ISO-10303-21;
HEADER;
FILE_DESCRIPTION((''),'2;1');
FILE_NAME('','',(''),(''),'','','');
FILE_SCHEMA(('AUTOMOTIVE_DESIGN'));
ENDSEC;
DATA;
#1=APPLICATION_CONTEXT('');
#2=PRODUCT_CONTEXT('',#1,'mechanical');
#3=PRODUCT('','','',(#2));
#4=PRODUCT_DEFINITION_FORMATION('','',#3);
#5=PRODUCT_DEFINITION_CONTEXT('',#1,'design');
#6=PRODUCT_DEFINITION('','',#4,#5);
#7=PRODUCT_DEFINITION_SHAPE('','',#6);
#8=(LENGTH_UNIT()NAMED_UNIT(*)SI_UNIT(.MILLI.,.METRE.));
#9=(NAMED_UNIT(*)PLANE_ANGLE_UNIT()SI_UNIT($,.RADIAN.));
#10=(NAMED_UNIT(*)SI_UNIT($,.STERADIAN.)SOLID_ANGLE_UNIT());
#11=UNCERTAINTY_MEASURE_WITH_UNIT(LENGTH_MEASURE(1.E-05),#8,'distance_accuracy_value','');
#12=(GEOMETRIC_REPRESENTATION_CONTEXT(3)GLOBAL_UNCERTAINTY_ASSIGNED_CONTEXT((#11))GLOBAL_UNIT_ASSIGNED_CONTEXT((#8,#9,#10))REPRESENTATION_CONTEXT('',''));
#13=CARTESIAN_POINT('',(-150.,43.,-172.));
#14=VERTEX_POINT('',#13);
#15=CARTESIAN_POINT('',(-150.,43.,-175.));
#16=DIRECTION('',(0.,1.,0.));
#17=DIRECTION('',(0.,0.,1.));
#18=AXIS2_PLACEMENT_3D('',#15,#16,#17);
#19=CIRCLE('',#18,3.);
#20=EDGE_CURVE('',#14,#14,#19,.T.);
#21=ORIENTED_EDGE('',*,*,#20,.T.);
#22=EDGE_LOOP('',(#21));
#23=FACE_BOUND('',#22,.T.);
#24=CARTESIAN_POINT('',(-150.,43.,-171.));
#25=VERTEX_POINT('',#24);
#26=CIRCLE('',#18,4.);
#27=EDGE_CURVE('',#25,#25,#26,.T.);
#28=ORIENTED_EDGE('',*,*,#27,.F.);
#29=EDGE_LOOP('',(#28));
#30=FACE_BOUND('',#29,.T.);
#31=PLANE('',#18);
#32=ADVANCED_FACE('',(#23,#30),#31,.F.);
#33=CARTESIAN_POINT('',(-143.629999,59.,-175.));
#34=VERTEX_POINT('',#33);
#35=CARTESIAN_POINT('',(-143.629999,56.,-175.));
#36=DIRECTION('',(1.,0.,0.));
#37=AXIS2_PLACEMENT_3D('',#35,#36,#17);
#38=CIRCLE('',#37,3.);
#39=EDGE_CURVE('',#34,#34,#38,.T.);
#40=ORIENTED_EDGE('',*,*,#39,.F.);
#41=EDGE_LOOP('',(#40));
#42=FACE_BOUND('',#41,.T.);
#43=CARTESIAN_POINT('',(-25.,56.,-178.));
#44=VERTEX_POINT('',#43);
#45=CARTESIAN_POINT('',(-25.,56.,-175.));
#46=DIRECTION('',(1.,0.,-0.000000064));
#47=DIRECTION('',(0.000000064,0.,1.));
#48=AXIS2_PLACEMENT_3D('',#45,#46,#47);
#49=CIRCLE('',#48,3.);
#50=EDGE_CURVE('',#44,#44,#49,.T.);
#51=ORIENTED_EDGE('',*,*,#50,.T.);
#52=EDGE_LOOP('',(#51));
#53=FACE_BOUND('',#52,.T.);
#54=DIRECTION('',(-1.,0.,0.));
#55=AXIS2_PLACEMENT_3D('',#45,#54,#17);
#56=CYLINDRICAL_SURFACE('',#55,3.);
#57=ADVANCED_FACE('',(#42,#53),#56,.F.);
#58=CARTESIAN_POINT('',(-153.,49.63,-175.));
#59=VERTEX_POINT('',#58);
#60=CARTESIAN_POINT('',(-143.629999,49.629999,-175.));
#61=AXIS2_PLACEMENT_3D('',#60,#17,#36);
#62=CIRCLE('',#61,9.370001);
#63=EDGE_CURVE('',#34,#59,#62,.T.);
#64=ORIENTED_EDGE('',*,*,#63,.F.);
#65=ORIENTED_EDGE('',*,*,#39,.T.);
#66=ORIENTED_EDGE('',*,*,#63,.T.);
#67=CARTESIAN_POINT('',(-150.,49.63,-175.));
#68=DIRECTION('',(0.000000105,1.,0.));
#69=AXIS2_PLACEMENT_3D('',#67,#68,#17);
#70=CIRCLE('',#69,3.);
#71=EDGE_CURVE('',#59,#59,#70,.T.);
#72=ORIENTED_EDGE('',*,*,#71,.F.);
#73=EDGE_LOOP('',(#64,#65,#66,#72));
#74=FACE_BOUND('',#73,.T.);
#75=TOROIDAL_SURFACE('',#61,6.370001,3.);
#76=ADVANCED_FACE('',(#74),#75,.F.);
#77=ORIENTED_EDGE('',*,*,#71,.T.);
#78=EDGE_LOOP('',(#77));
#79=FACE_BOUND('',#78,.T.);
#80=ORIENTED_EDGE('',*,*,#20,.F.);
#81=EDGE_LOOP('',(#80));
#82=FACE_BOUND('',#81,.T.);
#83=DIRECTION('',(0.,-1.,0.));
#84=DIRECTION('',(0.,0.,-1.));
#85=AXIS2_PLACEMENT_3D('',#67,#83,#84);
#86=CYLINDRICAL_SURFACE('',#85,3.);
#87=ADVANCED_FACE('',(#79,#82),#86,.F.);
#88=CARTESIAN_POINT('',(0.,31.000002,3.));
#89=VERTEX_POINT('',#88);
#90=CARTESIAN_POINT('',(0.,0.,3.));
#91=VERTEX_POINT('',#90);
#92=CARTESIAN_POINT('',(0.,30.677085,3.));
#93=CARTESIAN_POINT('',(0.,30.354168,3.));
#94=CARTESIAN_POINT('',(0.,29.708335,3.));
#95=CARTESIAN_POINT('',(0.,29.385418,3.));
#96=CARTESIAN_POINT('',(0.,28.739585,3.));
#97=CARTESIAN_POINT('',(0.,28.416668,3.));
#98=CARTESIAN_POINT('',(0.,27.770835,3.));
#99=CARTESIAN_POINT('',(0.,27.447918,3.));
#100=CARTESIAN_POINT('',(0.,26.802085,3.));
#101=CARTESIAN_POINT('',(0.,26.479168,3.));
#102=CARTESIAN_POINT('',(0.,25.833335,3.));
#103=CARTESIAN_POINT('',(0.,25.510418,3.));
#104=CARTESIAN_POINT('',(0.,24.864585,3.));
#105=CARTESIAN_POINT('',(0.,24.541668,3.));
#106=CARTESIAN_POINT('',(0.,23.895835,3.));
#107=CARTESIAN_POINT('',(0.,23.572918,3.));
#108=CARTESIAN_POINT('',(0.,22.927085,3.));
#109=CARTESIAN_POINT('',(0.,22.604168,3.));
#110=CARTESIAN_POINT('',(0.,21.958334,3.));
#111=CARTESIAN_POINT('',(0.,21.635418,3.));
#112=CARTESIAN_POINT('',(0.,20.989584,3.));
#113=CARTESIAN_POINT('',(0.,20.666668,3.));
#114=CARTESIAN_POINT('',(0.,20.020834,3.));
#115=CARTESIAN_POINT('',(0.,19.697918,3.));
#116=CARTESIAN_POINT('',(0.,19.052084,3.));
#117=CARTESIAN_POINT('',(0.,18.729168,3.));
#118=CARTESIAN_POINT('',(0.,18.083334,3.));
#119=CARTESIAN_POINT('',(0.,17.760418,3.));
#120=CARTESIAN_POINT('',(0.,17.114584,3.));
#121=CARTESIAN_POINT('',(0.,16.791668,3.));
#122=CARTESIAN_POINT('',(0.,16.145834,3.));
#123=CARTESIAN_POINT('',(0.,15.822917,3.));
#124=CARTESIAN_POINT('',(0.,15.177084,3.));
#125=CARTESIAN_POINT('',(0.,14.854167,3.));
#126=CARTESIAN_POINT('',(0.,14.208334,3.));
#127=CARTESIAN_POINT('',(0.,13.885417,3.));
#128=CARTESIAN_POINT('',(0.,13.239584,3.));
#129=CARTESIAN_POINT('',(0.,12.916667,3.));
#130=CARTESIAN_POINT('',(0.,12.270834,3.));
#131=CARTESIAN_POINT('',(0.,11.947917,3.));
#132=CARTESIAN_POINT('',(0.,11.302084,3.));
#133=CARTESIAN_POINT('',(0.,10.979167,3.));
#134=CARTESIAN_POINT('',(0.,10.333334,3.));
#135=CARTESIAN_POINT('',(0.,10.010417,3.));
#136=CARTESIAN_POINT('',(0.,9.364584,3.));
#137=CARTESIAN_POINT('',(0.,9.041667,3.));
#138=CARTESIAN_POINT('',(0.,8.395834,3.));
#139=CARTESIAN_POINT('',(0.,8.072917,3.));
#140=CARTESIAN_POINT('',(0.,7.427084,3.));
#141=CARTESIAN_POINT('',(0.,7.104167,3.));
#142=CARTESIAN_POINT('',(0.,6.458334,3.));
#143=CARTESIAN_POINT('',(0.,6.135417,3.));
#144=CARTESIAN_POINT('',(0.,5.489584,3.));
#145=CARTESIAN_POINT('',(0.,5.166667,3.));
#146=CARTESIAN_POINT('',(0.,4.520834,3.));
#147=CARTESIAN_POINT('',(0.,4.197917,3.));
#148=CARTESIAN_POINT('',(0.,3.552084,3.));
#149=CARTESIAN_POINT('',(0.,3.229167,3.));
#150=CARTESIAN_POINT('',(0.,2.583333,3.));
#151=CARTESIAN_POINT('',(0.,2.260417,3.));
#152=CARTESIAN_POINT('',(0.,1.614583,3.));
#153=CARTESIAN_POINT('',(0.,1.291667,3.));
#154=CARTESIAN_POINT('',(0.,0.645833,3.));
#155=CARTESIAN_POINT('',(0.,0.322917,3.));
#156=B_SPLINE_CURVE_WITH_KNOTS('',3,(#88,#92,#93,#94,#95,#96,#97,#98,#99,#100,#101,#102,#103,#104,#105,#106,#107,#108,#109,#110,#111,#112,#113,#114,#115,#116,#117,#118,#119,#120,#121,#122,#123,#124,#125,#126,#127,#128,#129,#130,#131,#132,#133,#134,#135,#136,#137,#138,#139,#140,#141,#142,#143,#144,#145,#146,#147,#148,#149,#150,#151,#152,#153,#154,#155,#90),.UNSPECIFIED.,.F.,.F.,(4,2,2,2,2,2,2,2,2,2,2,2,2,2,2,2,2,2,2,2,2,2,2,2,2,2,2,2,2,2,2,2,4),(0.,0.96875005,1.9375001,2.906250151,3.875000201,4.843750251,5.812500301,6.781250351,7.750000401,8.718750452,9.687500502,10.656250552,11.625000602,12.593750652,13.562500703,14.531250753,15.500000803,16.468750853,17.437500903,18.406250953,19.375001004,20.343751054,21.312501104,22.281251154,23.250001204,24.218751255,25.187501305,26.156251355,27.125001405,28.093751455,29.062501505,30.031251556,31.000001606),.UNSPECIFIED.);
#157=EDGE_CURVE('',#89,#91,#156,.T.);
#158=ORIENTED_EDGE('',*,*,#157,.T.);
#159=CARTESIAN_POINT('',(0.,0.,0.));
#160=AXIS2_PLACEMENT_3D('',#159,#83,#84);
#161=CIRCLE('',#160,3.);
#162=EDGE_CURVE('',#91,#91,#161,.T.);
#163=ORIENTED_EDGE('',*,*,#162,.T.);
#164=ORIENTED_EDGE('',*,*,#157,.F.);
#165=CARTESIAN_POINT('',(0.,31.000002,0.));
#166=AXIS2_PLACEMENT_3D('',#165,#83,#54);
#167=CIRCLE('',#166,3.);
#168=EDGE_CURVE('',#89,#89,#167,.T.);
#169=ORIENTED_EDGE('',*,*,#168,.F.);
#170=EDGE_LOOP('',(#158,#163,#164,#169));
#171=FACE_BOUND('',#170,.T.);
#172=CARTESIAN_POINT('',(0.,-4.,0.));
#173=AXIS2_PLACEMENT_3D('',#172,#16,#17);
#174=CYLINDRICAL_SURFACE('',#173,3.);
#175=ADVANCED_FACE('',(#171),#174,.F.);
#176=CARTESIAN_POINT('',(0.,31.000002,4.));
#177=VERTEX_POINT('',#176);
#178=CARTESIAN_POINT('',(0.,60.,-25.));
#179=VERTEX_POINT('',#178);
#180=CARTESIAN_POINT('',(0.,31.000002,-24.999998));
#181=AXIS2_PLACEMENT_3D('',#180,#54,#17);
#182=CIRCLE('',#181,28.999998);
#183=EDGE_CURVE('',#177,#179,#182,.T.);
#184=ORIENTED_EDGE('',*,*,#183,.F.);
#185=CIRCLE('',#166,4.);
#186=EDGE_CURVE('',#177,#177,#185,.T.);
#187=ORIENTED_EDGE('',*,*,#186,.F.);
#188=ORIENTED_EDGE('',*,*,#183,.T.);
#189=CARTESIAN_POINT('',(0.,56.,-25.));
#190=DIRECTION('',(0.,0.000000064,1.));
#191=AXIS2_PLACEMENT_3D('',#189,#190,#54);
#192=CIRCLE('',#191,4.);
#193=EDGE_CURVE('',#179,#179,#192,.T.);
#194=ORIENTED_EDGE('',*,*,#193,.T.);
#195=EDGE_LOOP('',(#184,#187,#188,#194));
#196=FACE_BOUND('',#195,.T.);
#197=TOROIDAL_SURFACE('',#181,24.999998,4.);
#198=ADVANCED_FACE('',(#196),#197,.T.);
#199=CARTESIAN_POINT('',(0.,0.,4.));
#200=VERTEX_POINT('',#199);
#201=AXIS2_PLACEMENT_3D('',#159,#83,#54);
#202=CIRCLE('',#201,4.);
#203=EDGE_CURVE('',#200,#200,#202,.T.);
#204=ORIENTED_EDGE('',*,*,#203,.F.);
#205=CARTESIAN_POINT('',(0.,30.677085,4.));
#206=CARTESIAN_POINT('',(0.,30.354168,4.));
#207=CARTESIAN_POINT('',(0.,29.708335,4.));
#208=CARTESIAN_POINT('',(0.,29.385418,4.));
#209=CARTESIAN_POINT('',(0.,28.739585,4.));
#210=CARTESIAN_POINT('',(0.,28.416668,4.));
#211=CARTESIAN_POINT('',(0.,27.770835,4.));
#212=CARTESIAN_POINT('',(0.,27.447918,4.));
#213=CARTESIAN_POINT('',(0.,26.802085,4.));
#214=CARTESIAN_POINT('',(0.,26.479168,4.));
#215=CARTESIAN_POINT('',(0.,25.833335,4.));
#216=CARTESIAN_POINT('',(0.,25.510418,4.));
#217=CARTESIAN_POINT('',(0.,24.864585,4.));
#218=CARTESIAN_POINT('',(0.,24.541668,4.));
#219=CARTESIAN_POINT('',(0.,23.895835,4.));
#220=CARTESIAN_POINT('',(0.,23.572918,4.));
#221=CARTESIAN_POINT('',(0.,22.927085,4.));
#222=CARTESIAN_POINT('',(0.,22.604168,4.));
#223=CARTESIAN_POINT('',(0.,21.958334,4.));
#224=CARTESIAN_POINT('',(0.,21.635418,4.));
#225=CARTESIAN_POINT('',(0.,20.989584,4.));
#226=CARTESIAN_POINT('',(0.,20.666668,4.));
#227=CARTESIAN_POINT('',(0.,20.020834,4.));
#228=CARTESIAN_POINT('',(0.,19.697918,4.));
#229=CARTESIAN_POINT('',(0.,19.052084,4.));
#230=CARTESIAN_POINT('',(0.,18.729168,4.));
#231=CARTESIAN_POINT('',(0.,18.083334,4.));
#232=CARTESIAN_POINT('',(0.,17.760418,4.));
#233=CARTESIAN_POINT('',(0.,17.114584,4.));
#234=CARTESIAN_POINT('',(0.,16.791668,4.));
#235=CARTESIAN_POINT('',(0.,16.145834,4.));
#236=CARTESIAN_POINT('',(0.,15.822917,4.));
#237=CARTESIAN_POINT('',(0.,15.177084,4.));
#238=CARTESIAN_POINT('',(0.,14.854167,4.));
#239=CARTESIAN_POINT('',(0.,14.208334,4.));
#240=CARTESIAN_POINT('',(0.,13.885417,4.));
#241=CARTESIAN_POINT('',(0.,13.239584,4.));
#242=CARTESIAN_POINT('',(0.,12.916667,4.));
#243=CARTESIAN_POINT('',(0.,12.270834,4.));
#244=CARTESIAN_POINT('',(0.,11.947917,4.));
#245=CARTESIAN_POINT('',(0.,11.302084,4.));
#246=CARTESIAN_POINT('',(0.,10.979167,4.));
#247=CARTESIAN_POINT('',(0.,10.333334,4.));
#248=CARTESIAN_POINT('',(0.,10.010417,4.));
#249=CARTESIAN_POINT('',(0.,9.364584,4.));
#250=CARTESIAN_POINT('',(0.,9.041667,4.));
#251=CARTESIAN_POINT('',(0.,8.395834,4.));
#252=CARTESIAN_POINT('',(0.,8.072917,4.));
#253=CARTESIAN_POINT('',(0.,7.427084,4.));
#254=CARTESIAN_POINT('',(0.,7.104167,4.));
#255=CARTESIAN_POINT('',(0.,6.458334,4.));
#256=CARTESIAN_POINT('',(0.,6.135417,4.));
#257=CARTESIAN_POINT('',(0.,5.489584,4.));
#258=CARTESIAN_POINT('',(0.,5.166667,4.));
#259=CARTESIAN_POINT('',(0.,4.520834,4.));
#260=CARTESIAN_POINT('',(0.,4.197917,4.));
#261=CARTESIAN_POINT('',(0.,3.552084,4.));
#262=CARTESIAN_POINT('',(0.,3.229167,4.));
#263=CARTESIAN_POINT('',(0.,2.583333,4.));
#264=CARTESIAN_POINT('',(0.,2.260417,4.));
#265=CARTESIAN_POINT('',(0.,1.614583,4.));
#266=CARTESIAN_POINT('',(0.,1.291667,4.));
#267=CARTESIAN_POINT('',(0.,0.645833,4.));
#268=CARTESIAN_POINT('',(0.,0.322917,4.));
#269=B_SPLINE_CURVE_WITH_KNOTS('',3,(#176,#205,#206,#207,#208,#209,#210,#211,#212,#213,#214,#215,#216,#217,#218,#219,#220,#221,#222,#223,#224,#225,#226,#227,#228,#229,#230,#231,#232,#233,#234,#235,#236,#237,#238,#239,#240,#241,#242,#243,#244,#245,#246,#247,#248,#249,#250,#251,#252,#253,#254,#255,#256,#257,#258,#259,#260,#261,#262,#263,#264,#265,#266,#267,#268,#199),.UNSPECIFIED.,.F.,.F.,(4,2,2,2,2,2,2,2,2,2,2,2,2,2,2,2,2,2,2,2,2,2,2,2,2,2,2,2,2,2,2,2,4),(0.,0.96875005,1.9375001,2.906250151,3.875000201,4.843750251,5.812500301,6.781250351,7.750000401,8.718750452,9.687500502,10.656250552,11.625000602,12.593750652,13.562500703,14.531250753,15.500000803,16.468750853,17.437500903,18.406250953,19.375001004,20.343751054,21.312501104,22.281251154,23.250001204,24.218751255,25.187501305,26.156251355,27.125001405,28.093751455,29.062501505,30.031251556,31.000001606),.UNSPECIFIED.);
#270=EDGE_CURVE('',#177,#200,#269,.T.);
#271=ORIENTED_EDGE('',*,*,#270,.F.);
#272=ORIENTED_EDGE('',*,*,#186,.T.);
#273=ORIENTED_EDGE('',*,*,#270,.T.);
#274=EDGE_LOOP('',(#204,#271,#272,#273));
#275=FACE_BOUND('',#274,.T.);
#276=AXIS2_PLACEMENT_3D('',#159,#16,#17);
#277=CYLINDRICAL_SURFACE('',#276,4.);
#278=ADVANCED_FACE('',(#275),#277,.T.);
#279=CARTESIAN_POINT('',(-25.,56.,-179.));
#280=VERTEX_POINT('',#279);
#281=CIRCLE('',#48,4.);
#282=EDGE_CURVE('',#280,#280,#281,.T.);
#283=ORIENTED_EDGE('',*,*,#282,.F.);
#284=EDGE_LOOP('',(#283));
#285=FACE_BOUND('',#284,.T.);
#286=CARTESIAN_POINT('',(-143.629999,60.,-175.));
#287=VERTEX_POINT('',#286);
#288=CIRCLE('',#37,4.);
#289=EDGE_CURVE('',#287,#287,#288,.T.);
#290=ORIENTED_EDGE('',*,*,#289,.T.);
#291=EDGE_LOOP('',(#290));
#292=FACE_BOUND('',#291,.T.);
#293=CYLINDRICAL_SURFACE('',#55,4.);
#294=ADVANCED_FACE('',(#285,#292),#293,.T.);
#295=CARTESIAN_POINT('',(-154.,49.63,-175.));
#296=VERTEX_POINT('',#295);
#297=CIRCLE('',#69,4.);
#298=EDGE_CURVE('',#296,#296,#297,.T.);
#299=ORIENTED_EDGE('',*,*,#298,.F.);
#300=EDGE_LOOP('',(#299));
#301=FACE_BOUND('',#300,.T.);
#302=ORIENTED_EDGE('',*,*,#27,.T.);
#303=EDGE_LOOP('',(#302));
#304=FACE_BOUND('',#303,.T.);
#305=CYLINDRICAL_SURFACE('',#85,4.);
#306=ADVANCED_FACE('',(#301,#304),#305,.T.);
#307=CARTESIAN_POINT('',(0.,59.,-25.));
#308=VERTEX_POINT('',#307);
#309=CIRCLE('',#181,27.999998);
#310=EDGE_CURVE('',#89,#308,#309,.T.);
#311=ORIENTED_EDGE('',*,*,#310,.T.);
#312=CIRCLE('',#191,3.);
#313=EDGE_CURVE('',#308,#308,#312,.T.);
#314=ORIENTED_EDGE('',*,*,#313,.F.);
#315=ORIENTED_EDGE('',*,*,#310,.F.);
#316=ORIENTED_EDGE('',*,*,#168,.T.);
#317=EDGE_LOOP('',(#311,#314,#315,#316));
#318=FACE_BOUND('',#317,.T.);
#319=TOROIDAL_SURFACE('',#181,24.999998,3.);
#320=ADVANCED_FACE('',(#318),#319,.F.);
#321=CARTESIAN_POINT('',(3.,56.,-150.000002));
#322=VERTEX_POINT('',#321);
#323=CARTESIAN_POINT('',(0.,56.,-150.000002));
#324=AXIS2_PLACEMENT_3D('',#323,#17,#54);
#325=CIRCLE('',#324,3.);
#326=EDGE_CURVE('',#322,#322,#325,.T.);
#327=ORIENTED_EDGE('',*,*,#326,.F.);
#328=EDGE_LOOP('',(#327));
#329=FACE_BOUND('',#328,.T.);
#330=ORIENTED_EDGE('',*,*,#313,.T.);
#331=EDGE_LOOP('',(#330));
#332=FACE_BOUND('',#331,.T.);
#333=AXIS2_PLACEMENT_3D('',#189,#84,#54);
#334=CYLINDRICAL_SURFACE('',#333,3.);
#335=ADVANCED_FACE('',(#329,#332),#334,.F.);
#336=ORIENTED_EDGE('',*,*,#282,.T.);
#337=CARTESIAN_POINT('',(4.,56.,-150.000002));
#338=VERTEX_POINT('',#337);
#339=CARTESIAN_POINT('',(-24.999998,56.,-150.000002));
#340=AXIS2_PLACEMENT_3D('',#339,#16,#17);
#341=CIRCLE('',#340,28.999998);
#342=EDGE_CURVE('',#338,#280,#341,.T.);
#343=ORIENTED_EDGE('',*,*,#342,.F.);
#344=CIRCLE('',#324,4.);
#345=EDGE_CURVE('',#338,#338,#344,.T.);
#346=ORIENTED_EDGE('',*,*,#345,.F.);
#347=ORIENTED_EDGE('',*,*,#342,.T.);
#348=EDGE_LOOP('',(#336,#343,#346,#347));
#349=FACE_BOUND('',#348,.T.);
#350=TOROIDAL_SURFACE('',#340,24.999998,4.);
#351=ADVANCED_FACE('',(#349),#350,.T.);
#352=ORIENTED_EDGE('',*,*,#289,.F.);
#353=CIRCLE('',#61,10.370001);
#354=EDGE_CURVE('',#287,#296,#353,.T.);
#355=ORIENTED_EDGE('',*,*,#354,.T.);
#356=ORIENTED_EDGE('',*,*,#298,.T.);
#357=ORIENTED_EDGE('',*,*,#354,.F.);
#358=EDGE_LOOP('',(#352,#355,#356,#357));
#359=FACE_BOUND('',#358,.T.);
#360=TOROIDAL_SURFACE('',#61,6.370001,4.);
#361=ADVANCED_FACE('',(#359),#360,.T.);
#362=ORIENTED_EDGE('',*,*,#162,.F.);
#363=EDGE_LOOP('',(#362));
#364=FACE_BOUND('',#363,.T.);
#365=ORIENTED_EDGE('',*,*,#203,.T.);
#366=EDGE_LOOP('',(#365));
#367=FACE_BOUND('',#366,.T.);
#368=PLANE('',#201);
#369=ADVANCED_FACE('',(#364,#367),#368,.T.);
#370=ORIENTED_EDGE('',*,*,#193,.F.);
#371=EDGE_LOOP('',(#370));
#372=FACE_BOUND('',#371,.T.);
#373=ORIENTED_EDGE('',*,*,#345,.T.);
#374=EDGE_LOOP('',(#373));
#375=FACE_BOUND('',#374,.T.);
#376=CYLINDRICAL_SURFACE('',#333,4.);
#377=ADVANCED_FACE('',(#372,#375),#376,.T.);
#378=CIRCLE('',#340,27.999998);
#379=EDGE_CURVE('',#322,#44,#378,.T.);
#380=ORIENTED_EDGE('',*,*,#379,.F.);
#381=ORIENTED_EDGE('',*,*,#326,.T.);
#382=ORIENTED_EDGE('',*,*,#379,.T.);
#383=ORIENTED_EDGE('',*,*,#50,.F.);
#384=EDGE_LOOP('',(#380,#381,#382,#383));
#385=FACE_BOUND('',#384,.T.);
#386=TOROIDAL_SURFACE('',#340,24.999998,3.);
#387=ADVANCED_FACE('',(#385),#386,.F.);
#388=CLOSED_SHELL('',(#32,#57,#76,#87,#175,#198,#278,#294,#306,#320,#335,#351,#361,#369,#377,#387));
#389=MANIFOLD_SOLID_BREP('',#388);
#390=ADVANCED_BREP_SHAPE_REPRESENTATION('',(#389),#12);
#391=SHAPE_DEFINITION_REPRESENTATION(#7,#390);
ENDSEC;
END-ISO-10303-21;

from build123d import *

# Parameters (mm, degrees)
SWEEP1_PROFILE_R                           = 4
HOLLOW_TUBE_OD_AND_WALL_PROVISIONAL_PROF_R = 3


with BuildPart() as part:
    # Sweep1: sweep along a curve in space
    with BuildLine() as sweep1_path:
        Line((0, 0, 0), (0, 31.000001606, 0))
        ThreePointArc((0, 31.000001606, 0), (0, 48.677670568, -7.322330568), (0, 56, -25))
        Line((0, 56, -25), (0, 56, -150.000001606))
        ThreePointArc((0, 56, -150.000001606), (-7.322330568, 56, -167.677670568), (-25, 56, -175))
        Line((-25, 56, -175), (-143.62999933, 56, -175))
        ThreePointArc((-143.62999933, 56, -175), (-148.134269763, 54.134270237, -175), (-150, 49.63, -175))
        Line((-150, 49.63, -175), (-150, 43, -175))
    # Sweep1 profile (on start of the path) → Sweep1 (sweep)
    with BuildSketch(Plane.ZX):
        Circle(SWEEP1_PROFILE_R)
    sweep(path=sweep1_path.line)

    # Hollow_tube_OD_and_wall_PROVISIONAL: sweep along a curve in space
    with BuildLine() as hollow_tube_od_and_wall_provisional_path:
        Line((0, 0, 0), (0, 31.000001606, 0))
        ThreePointArc((0, 31.000001606, 0), (0, 48.677670568, -7.322330568), (0, 56, -25))
        Line((0, 56, -25), (0, 56, -150.000001606))
        ThreePointArc((0, 56, -150.000001606), (-7.322330568, 56, -167.677670568), (-25, 56, -175))
        Line((-25, 56, -175), (-143.62999933, 56, -175))
        ThreePointArc((-143.62999933, 56, -175), (-148.134269763, 54.134270237, -175), (-150, 49.63, -175))
        Line((-150, 49.63, -175), (-150, 43, -175))
    # Hollow_tube_OD_and_wall_PROVISIONAL prof (on start of the path) → Hollow_tube_OD_and_wall_PROVISIONAL (sweep, cut)
    with BuildSketch(Plane.ZX):
        Circle(HOLLOW_TUBE_OD_AND_WALL_PROVISIONAL_PROF_R)
    sweep(path=hollow_tube_od_and_wall_provisional_path.line, mode=Mode.SUBTRACT)


solid = part.part
